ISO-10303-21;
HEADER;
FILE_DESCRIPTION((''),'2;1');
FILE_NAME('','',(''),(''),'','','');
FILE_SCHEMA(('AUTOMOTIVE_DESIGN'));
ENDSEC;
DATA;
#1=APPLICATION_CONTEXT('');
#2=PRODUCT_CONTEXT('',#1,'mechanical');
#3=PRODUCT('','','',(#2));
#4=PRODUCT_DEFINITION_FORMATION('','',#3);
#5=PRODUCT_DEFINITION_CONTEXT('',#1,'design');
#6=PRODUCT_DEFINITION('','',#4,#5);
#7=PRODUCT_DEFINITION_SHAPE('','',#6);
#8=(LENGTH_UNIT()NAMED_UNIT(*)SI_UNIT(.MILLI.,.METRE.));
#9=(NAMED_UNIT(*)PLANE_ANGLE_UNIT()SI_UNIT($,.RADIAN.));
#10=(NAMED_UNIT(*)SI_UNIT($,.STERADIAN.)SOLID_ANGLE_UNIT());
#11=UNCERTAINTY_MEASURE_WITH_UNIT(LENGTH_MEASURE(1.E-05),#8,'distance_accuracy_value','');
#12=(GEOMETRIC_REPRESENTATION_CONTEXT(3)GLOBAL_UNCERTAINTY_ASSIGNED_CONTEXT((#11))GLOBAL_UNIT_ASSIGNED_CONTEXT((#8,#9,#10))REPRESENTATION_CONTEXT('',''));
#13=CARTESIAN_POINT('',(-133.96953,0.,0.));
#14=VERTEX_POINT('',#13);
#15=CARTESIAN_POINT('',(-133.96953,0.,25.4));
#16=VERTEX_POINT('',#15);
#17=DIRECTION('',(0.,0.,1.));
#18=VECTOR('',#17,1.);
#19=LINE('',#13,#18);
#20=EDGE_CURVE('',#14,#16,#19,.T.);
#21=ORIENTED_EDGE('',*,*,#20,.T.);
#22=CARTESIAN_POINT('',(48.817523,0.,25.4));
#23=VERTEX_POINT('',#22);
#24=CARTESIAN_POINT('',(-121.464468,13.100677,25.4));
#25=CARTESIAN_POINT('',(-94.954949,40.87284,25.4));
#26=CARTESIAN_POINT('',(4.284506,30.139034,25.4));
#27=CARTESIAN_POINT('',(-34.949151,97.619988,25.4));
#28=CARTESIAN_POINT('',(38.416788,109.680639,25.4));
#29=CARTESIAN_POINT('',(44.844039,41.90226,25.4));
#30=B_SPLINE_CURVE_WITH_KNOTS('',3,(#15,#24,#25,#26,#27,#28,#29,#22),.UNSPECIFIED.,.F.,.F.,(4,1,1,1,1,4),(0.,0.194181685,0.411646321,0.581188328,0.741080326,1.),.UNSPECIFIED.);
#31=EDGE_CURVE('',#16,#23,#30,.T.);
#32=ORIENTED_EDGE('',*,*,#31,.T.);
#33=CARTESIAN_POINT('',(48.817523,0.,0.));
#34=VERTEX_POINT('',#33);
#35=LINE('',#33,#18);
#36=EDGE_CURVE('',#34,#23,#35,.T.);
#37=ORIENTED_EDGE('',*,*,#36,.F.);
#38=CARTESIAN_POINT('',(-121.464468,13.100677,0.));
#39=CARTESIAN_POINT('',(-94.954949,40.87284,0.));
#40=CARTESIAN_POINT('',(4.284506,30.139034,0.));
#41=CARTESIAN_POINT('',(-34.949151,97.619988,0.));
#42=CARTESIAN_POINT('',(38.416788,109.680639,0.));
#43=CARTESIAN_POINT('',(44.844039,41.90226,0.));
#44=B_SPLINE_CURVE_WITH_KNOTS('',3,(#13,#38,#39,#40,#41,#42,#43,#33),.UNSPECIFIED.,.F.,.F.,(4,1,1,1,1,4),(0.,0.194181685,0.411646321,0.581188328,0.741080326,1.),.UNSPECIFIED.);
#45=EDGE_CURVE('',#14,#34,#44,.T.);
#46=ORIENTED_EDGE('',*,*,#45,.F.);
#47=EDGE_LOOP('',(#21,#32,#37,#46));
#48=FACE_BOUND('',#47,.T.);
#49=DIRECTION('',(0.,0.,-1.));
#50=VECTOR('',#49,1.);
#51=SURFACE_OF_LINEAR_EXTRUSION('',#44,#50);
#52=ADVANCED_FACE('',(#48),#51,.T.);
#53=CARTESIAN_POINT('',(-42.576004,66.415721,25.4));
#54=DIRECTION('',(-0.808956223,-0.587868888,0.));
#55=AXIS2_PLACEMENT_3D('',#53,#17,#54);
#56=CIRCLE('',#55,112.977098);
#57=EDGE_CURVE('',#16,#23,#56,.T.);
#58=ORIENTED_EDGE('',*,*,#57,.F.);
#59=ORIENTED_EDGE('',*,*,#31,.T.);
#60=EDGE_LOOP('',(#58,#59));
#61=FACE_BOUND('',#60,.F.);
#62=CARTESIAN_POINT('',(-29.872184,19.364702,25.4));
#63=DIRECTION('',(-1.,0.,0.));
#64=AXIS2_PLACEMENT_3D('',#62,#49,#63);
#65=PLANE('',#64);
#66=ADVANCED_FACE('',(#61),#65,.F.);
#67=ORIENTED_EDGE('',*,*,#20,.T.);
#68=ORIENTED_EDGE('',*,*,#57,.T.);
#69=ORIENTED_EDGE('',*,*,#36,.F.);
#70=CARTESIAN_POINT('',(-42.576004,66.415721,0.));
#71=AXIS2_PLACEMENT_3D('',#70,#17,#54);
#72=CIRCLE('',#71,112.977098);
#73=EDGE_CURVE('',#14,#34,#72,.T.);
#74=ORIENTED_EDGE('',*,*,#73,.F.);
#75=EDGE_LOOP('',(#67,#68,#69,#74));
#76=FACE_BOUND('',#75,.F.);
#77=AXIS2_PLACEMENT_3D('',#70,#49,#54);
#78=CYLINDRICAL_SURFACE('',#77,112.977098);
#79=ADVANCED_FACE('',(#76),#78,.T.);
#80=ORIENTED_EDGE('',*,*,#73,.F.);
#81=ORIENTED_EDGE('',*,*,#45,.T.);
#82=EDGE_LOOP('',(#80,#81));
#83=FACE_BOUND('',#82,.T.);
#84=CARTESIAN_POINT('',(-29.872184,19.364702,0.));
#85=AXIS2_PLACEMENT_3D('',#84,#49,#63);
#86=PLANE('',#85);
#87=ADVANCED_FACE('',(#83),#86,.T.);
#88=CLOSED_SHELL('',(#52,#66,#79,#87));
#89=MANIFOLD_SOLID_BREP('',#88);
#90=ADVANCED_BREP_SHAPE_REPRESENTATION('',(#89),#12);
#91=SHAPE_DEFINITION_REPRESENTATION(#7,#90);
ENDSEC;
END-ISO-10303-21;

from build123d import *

# Parameters (mm, degrees)
F1_DEPTH = 25.4


with BuildPart() as f1:
    # F0 (on Top) → F1 (new body)
    with BuildSketch(Plane.XY):
        with BuildLine():
            add(Edge.make_bspline(
                [(-133.9695304632, 0), (-121.4644678355, 13.1006768928), (-94.9549490982, 40.8728400481), (4.2845064495, 30.1390340916), (-34.9491511295, 97.6199883433), (38.4167882244, 109.6806388977), (44.8440386014, 41.9022602683), (48.8175228238, 0)],
                knots=[0, 0, 0, 0, 0.1941816851, 0.4116463206, 0.5811883277, 0.741080326, 1, 1, 1, 1], degree=3))
            ThreePointArc((-133.9695304632, 0), (-42.5760038197, -46.5613771396), (48.8175228238, 0))
        make_face()
    extrude(amount=F1_DEPTH)


solid = f1.part
